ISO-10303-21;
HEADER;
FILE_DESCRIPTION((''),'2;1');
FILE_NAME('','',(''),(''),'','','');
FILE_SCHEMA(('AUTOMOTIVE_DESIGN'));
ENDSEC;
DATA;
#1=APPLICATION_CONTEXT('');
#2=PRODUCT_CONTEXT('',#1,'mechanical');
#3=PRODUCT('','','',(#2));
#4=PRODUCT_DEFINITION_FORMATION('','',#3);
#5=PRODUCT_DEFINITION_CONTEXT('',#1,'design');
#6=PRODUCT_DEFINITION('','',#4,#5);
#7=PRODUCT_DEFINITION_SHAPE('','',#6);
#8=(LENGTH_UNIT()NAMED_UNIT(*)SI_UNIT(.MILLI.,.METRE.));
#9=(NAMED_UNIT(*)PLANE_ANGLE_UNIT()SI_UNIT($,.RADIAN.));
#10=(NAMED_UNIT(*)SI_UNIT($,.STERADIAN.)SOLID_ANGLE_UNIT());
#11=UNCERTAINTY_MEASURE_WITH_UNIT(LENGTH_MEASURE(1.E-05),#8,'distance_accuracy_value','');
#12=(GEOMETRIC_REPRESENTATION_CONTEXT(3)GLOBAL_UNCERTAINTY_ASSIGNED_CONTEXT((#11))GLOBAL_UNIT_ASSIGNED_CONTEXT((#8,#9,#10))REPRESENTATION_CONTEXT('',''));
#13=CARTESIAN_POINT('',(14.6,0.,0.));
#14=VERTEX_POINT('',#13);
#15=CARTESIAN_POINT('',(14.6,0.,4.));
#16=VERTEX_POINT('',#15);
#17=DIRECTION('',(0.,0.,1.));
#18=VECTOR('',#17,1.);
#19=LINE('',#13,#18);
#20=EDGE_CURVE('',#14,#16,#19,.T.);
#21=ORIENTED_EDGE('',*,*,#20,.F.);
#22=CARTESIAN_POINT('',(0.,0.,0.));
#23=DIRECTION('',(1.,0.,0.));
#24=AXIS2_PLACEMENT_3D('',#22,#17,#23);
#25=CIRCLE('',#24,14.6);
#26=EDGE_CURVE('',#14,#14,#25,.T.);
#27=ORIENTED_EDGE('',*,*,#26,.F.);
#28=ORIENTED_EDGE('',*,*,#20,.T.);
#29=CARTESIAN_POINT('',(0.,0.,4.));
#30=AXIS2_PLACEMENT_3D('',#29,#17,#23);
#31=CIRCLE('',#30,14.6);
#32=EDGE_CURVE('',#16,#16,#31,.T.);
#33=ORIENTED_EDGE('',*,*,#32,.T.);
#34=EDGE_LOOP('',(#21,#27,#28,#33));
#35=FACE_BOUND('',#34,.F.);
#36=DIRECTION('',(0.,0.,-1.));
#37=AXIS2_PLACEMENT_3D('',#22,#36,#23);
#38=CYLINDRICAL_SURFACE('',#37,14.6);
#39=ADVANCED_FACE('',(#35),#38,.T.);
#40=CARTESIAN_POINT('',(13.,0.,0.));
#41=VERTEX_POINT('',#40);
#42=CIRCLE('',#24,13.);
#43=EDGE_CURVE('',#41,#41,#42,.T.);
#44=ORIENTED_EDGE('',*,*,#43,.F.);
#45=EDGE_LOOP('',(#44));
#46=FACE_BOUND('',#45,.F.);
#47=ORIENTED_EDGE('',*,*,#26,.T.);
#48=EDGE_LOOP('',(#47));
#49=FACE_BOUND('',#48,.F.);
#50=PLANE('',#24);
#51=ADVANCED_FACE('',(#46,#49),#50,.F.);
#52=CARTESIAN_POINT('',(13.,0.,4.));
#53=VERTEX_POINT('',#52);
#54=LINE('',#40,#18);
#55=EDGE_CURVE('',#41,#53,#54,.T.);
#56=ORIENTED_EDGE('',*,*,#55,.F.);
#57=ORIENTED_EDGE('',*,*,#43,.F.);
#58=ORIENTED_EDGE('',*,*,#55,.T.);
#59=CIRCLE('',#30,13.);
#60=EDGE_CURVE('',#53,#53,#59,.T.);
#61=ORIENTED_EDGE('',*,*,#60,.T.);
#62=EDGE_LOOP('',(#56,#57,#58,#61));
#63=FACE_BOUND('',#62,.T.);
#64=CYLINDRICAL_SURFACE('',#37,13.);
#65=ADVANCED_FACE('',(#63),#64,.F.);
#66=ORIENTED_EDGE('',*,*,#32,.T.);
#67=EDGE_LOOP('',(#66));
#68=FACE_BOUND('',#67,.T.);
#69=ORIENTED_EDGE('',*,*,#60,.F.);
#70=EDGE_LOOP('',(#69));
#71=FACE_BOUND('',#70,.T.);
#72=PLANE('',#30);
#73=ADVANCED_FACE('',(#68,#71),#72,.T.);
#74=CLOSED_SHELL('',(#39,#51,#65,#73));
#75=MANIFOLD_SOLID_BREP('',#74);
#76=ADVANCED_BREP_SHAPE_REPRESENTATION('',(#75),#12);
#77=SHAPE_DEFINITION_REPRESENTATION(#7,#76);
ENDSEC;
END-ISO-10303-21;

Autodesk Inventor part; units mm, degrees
ref_plane "YZ Plane" through (0, 0, 0) normal (1, 0, 0) x (0, 1, 0)
ref_plane "XZ Plane" through (0, 0, 0) normal (0, 1, 0) x (-1, 0, 0)
ref_plane "XY Plane" through (0, 0, 0) normal (0, 0, 1) x (1, 0, 0)
sketch "Sketch1" plane through (0, 0, 0) normal (0, 0, 1) x (1, 0, 0)
  circle A0 centre (0, 0) radius 13
  circle A1 centre (0, 0) radius 14.6
  dimension "d0" = 26
  dimension "d1" = 29.2
extrude "Extrusion1" add sketch "Sketch1" along normal blind 4
properties part number "21 - Piston Ring" material "Rubber"
